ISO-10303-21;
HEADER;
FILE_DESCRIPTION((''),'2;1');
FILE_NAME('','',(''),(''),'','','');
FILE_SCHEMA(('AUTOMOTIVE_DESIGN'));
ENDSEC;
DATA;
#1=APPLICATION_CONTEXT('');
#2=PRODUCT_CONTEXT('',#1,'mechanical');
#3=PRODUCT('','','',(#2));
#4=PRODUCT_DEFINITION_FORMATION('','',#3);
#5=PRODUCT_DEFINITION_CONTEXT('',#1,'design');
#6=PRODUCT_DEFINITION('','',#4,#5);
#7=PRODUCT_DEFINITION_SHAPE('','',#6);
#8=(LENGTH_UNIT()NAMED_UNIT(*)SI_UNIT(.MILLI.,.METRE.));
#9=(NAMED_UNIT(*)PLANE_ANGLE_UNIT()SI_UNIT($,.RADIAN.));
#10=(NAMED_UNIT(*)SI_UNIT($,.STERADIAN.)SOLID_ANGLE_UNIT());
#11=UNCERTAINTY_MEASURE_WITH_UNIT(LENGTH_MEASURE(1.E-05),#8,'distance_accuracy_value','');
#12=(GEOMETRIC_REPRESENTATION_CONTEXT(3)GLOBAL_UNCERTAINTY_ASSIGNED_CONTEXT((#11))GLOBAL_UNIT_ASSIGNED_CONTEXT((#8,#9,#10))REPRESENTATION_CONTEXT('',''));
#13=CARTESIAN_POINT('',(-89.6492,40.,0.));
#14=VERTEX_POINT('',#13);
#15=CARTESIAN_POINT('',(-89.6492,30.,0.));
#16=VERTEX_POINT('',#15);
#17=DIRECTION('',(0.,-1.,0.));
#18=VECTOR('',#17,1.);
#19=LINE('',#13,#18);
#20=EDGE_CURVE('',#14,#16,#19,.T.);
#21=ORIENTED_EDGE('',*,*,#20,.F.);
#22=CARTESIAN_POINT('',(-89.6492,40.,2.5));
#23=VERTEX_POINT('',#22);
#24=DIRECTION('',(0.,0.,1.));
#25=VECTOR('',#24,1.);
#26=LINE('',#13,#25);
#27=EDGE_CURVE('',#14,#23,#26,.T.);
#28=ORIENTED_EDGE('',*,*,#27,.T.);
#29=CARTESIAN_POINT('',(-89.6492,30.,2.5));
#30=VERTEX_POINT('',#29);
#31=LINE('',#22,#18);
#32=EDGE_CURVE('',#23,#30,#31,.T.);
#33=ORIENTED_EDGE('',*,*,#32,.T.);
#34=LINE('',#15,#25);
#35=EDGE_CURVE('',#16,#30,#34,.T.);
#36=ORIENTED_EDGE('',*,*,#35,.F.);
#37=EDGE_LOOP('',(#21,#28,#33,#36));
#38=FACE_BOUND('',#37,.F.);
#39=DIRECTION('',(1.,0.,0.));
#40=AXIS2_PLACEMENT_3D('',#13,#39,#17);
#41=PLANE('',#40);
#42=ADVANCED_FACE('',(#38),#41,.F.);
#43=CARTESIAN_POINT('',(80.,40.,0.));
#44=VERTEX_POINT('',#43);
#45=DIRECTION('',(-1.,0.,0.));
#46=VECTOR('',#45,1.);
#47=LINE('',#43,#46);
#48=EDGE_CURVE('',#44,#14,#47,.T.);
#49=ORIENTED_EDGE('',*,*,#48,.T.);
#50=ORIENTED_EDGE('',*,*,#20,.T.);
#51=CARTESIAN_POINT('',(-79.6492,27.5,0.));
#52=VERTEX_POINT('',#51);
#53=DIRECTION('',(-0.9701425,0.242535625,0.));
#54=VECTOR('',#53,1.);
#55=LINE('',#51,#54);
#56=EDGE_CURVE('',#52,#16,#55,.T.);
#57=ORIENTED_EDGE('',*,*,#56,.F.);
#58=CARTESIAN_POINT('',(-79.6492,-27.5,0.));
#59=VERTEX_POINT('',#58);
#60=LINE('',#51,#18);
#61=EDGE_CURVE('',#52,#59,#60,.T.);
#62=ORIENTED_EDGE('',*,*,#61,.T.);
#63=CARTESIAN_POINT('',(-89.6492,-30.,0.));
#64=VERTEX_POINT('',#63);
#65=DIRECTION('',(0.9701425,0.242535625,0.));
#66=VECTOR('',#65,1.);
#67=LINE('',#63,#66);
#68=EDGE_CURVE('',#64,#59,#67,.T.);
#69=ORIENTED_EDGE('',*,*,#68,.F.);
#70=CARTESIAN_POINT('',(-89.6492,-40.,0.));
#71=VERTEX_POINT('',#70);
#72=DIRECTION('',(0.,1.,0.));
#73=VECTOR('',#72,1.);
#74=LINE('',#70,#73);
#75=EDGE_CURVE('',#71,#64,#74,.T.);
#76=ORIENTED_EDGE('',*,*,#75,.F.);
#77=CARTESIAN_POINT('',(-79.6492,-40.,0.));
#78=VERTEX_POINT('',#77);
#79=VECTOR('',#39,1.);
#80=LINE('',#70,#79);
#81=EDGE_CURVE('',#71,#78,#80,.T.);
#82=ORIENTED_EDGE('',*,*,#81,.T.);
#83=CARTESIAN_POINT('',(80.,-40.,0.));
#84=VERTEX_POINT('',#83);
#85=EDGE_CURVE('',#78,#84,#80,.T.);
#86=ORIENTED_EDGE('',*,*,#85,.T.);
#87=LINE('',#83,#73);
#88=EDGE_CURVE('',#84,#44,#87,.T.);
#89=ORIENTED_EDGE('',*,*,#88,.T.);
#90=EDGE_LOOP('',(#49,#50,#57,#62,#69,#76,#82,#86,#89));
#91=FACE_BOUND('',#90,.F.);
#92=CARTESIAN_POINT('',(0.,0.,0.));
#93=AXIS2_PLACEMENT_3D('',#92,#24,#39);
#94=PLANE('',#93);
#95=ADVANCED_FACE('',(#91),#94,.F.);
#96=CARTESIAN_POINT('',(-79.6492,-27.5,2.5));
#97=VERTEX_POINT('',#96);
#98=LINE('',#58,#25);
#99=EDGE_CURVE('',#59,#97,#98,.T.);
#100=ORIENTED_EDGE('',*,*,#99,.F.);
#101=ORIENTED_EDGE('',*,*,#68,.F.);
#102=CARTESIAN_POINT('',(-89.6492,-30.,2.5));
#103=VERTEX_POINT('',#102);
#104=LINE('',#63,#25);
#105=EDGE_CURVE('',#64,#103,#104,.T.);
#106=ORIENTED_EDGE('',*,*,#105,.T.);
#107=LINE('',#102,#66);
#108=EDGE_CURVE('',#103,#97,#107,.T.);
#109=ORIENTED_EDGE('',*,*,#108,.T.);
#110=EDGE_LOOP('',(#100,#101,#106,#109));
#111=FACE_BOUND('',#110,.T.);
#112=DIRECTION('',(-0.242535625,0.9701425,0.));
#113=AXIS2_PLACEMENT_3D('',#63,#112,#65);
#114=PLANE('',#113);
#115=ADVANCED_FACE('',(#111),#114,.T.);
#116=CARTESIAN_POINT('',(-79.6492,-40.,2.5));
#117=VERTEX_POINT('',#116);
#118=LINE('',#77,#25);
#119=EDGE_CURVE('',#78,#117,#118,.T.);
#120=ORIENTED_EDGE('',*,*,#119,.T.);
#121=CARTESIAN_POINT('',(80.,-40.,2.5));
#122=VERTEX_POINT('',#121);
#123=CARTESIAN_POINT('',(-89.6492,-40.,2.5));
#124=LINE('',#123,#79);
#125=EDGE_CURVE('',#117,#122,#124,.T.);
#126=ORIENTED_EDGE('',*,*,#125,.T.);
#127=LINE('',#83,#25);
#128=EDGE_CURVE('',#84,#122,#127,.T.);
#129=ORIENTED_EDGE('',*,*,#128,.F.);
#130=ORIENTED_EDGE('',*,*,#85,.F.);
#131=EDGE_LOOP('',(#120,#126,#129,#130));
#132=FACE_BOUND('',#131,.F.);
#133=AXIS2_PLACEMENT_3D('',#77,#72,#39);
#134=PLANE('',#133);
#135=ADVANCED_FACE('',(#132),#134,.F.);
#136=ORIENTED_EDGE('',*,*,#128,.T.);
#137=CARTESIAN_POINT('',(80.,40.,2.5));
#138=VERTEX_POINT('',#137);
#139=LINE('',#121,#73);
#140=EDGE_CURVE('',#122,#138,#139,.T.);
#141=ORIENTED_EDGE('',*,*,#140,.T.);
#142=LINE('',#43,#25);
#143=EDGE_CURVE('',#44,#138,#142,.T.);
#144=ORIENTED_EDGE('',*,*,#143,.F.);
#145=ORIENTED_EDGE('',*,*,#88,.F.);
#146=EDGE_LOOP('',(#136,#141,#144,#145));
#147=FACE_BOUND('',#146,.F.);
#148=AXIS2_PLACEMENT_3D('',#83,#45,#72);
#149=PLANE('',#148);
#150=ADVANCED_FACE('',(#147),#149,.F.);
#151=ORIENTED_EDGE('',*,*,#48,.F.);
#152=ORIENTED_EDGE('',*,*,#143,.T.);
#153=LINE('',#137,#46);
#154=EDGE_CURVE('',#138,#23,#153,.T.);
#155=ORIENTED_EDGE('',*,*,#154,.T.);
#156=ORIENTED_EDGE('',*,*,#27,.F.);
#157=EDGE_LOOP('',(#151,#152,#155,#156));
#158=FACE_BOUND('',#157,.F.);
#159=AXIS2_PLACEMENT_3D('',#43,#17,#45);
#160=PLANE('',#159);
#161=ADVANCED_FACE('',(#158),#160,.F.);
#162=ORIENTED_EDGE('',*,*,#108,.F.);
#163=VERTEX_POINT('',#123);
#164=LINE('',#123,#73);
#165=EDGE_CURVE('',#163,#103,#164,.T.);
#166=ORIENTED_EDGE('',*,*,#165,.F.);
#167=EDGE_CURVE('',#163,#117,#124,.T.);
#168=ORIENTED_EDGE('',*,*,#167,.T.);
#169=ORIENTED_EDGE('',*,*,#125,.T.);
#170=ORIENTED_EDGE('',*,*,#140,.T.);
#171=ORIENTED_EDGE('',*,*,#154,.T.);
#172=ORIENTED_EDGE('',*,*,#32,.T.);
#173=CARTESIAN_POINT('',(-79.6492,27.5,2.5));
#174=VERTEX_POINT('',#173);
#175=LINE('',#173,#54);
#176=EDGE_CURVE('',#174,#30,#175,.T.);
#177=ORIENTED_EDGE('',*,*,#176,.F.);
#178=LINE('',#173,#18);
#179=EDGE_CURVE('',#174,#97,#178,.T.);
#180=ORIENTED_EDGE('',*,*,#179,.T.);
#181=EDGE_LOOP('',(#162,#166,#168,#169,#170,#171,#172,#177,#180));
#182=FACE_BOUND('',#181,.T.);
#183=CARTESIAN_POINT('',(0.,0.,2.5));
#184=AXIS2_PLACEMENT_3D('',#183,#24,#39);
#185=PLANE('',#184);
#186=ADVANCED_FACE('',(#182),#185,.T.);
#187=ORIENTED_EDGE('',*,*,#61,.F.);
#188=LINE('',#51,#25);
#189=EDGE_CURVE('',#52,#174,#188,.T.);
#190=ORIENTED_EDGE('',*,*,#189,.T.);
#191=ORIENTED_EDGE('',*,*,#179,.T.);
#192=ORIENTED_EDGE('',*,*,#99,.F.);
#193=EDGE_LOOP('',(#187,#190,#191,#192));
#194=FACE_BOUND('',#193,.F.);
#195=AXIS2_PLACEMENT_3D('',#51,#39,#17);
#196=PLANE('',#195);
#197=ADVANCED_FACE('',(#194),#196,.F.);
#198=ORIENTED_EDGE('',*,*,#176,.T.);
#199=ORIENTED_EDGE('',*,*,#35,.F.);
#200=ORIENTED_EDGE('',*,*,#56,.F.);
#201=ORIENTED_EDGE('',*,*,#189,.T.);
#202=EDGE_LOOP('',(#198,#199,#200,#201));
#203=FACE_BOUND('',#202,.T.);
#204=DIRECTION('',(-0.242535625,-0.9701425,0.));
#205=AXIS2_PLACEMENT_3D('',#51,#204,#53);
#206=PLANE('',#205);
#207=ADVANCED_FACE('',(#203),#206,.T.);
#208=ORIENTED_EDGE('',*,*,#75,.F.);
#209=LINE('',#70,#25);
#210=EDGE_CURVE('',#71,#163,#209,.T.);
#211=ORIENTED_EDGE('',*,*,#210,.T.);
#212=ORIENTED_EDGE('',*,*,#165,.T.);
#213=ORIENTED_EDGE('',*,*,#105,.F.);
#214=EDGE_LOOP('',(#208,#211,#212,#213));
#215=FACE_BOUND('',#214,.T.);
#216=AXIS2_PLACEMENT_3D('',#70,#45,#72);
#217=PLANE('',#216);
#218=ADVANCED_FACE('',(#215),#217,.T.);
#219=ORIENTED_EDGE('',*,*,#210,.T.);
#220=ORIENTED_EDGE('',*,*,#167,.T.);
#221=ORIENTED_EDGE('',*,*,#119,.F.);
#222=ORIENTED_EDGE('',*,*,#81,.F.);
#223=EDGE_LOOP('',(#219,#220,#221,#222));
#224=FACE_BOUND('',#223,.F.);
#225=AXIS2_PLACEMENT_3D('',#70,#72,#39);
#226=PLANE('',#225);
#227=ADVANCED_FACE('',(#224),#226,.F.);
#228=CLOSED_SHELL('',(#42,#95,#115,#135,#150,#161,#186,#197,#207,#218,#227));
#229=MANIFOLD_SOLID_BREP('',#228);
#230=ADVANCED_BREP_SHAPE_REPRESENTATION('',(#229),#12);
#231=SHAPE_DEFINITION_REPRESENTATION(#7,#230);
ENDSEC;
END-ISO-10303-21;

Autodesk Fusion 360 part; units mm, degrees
sketch "Sketch1" plane through (0, 0, 0) normal (1, 0, 0) x (0, 1, 0)
sketch "Sketch2" plane through (0, 0, 0) normal (0, 1, 0) x (1, 0, 0)
sketch "Sketch3" plane through (0, 0, 0) normal (0, 0, 1) x (1, 0, 0)
  line L0 (-89.6492, -40) -> (80, -40)
  line L1 (80, -40) -> (80, 40)
  line L2 (80, 40) -> (-89.6492, 40)
  line L3 (-89.6492, 40) -> (-89.6492, 30)
  line L4 (-89.6492, -40) -> (-89.6492, -30)
  line L5 (-89.6492, -40) -> (-79.6492, -40)
  line L6 (-79.6492, 27.5) -> (-79.6492, -27.5)
  line L7 (-79.6492, 27.5) -> (-89.6492, 30)
  line L8 (-89.6492, -30) -> (-79.6492, -27.5)
extrude "Extrude1" add sketch "Sketch3" along normal blind 2.5
sketch "Sketch4" plane through (0, 0, 2.5) normal (0, 0, 1) x (-1, 0, 0)
  line L0 (89.6492, 40) -> (-80, 40)
  line L1 (-80, 40) -> (-80, -40)
  line L2 (-80, -40) -> (89.6492, -40)
  line L3 (89.6492, -40) -> (89.6492, -30)
  line L4 (89.6492, -30) -> (79.6492, -27.5)
  line L5 (79.6492, -27.5) -> (79.6492, 27.5)
  line L6 (79.6492, 27.5) -> (89.6492, 30)
  line L7 (89.6492, 30) -> (89.6492, 40)
  line L8 (89.6492, -40) -> (-80, -40)
  line L9 (-80, -40) -> (-80, 40)
  line L10 (89.6492, 40) -> (-80, 40)
  line L11 (89.6492, 30) -> (89.6492, 40)
  line L12 (89.6492, 30) -> (79.6492, 27.5)
  line L13 (79.6492, 27.5) -> (79.6492, -27.5)
  line L14 (79.6492, -27.5) -> (89.6492, -30)
  line L15 (89.6492, -40) -> (89.6492, -30)
  line L16 (89.6492, -40) -> (89.6492, -38.5)
  line L17 (88.1492, -38.5) -> (-78.5, -38.5)
  line L18 (-80, -40) -> (-78.5, -40)
  line L19 (-78.5, -38.5) -> (-78.5, 38.5)
  line L20 (-80, 40) -> (-80, 38.5)
  line L21 (-78.5, 38.5) -> (88.1492, 38.5)
  line L22 (89.6492, 40) -> (88.1492, 40)
  line L23 (88.1492, 38.5) -> (88.1492, 31)
  line L24 (89.6492, 30) -> (89.6492, 31.375)
  line L25 (88.1492, 31) -> (78.1492, 28.5)
  line L26 (78.1492, -28.4841) -> (78.1492, 28.5)
  line L27 (89.6492, -40) -> (88.1492, -40)
  line L28 (88.1492, -31.1066) -> (88.1492, -38.5)
  line L29 (89.6492, -30) -> (89.6492, -31.5)
  line L30 (88.1492, -31.1066) -> (78.1492, -28.4841)
  dimension "d9" = 1.5
  dimension "d11" = 1.5
